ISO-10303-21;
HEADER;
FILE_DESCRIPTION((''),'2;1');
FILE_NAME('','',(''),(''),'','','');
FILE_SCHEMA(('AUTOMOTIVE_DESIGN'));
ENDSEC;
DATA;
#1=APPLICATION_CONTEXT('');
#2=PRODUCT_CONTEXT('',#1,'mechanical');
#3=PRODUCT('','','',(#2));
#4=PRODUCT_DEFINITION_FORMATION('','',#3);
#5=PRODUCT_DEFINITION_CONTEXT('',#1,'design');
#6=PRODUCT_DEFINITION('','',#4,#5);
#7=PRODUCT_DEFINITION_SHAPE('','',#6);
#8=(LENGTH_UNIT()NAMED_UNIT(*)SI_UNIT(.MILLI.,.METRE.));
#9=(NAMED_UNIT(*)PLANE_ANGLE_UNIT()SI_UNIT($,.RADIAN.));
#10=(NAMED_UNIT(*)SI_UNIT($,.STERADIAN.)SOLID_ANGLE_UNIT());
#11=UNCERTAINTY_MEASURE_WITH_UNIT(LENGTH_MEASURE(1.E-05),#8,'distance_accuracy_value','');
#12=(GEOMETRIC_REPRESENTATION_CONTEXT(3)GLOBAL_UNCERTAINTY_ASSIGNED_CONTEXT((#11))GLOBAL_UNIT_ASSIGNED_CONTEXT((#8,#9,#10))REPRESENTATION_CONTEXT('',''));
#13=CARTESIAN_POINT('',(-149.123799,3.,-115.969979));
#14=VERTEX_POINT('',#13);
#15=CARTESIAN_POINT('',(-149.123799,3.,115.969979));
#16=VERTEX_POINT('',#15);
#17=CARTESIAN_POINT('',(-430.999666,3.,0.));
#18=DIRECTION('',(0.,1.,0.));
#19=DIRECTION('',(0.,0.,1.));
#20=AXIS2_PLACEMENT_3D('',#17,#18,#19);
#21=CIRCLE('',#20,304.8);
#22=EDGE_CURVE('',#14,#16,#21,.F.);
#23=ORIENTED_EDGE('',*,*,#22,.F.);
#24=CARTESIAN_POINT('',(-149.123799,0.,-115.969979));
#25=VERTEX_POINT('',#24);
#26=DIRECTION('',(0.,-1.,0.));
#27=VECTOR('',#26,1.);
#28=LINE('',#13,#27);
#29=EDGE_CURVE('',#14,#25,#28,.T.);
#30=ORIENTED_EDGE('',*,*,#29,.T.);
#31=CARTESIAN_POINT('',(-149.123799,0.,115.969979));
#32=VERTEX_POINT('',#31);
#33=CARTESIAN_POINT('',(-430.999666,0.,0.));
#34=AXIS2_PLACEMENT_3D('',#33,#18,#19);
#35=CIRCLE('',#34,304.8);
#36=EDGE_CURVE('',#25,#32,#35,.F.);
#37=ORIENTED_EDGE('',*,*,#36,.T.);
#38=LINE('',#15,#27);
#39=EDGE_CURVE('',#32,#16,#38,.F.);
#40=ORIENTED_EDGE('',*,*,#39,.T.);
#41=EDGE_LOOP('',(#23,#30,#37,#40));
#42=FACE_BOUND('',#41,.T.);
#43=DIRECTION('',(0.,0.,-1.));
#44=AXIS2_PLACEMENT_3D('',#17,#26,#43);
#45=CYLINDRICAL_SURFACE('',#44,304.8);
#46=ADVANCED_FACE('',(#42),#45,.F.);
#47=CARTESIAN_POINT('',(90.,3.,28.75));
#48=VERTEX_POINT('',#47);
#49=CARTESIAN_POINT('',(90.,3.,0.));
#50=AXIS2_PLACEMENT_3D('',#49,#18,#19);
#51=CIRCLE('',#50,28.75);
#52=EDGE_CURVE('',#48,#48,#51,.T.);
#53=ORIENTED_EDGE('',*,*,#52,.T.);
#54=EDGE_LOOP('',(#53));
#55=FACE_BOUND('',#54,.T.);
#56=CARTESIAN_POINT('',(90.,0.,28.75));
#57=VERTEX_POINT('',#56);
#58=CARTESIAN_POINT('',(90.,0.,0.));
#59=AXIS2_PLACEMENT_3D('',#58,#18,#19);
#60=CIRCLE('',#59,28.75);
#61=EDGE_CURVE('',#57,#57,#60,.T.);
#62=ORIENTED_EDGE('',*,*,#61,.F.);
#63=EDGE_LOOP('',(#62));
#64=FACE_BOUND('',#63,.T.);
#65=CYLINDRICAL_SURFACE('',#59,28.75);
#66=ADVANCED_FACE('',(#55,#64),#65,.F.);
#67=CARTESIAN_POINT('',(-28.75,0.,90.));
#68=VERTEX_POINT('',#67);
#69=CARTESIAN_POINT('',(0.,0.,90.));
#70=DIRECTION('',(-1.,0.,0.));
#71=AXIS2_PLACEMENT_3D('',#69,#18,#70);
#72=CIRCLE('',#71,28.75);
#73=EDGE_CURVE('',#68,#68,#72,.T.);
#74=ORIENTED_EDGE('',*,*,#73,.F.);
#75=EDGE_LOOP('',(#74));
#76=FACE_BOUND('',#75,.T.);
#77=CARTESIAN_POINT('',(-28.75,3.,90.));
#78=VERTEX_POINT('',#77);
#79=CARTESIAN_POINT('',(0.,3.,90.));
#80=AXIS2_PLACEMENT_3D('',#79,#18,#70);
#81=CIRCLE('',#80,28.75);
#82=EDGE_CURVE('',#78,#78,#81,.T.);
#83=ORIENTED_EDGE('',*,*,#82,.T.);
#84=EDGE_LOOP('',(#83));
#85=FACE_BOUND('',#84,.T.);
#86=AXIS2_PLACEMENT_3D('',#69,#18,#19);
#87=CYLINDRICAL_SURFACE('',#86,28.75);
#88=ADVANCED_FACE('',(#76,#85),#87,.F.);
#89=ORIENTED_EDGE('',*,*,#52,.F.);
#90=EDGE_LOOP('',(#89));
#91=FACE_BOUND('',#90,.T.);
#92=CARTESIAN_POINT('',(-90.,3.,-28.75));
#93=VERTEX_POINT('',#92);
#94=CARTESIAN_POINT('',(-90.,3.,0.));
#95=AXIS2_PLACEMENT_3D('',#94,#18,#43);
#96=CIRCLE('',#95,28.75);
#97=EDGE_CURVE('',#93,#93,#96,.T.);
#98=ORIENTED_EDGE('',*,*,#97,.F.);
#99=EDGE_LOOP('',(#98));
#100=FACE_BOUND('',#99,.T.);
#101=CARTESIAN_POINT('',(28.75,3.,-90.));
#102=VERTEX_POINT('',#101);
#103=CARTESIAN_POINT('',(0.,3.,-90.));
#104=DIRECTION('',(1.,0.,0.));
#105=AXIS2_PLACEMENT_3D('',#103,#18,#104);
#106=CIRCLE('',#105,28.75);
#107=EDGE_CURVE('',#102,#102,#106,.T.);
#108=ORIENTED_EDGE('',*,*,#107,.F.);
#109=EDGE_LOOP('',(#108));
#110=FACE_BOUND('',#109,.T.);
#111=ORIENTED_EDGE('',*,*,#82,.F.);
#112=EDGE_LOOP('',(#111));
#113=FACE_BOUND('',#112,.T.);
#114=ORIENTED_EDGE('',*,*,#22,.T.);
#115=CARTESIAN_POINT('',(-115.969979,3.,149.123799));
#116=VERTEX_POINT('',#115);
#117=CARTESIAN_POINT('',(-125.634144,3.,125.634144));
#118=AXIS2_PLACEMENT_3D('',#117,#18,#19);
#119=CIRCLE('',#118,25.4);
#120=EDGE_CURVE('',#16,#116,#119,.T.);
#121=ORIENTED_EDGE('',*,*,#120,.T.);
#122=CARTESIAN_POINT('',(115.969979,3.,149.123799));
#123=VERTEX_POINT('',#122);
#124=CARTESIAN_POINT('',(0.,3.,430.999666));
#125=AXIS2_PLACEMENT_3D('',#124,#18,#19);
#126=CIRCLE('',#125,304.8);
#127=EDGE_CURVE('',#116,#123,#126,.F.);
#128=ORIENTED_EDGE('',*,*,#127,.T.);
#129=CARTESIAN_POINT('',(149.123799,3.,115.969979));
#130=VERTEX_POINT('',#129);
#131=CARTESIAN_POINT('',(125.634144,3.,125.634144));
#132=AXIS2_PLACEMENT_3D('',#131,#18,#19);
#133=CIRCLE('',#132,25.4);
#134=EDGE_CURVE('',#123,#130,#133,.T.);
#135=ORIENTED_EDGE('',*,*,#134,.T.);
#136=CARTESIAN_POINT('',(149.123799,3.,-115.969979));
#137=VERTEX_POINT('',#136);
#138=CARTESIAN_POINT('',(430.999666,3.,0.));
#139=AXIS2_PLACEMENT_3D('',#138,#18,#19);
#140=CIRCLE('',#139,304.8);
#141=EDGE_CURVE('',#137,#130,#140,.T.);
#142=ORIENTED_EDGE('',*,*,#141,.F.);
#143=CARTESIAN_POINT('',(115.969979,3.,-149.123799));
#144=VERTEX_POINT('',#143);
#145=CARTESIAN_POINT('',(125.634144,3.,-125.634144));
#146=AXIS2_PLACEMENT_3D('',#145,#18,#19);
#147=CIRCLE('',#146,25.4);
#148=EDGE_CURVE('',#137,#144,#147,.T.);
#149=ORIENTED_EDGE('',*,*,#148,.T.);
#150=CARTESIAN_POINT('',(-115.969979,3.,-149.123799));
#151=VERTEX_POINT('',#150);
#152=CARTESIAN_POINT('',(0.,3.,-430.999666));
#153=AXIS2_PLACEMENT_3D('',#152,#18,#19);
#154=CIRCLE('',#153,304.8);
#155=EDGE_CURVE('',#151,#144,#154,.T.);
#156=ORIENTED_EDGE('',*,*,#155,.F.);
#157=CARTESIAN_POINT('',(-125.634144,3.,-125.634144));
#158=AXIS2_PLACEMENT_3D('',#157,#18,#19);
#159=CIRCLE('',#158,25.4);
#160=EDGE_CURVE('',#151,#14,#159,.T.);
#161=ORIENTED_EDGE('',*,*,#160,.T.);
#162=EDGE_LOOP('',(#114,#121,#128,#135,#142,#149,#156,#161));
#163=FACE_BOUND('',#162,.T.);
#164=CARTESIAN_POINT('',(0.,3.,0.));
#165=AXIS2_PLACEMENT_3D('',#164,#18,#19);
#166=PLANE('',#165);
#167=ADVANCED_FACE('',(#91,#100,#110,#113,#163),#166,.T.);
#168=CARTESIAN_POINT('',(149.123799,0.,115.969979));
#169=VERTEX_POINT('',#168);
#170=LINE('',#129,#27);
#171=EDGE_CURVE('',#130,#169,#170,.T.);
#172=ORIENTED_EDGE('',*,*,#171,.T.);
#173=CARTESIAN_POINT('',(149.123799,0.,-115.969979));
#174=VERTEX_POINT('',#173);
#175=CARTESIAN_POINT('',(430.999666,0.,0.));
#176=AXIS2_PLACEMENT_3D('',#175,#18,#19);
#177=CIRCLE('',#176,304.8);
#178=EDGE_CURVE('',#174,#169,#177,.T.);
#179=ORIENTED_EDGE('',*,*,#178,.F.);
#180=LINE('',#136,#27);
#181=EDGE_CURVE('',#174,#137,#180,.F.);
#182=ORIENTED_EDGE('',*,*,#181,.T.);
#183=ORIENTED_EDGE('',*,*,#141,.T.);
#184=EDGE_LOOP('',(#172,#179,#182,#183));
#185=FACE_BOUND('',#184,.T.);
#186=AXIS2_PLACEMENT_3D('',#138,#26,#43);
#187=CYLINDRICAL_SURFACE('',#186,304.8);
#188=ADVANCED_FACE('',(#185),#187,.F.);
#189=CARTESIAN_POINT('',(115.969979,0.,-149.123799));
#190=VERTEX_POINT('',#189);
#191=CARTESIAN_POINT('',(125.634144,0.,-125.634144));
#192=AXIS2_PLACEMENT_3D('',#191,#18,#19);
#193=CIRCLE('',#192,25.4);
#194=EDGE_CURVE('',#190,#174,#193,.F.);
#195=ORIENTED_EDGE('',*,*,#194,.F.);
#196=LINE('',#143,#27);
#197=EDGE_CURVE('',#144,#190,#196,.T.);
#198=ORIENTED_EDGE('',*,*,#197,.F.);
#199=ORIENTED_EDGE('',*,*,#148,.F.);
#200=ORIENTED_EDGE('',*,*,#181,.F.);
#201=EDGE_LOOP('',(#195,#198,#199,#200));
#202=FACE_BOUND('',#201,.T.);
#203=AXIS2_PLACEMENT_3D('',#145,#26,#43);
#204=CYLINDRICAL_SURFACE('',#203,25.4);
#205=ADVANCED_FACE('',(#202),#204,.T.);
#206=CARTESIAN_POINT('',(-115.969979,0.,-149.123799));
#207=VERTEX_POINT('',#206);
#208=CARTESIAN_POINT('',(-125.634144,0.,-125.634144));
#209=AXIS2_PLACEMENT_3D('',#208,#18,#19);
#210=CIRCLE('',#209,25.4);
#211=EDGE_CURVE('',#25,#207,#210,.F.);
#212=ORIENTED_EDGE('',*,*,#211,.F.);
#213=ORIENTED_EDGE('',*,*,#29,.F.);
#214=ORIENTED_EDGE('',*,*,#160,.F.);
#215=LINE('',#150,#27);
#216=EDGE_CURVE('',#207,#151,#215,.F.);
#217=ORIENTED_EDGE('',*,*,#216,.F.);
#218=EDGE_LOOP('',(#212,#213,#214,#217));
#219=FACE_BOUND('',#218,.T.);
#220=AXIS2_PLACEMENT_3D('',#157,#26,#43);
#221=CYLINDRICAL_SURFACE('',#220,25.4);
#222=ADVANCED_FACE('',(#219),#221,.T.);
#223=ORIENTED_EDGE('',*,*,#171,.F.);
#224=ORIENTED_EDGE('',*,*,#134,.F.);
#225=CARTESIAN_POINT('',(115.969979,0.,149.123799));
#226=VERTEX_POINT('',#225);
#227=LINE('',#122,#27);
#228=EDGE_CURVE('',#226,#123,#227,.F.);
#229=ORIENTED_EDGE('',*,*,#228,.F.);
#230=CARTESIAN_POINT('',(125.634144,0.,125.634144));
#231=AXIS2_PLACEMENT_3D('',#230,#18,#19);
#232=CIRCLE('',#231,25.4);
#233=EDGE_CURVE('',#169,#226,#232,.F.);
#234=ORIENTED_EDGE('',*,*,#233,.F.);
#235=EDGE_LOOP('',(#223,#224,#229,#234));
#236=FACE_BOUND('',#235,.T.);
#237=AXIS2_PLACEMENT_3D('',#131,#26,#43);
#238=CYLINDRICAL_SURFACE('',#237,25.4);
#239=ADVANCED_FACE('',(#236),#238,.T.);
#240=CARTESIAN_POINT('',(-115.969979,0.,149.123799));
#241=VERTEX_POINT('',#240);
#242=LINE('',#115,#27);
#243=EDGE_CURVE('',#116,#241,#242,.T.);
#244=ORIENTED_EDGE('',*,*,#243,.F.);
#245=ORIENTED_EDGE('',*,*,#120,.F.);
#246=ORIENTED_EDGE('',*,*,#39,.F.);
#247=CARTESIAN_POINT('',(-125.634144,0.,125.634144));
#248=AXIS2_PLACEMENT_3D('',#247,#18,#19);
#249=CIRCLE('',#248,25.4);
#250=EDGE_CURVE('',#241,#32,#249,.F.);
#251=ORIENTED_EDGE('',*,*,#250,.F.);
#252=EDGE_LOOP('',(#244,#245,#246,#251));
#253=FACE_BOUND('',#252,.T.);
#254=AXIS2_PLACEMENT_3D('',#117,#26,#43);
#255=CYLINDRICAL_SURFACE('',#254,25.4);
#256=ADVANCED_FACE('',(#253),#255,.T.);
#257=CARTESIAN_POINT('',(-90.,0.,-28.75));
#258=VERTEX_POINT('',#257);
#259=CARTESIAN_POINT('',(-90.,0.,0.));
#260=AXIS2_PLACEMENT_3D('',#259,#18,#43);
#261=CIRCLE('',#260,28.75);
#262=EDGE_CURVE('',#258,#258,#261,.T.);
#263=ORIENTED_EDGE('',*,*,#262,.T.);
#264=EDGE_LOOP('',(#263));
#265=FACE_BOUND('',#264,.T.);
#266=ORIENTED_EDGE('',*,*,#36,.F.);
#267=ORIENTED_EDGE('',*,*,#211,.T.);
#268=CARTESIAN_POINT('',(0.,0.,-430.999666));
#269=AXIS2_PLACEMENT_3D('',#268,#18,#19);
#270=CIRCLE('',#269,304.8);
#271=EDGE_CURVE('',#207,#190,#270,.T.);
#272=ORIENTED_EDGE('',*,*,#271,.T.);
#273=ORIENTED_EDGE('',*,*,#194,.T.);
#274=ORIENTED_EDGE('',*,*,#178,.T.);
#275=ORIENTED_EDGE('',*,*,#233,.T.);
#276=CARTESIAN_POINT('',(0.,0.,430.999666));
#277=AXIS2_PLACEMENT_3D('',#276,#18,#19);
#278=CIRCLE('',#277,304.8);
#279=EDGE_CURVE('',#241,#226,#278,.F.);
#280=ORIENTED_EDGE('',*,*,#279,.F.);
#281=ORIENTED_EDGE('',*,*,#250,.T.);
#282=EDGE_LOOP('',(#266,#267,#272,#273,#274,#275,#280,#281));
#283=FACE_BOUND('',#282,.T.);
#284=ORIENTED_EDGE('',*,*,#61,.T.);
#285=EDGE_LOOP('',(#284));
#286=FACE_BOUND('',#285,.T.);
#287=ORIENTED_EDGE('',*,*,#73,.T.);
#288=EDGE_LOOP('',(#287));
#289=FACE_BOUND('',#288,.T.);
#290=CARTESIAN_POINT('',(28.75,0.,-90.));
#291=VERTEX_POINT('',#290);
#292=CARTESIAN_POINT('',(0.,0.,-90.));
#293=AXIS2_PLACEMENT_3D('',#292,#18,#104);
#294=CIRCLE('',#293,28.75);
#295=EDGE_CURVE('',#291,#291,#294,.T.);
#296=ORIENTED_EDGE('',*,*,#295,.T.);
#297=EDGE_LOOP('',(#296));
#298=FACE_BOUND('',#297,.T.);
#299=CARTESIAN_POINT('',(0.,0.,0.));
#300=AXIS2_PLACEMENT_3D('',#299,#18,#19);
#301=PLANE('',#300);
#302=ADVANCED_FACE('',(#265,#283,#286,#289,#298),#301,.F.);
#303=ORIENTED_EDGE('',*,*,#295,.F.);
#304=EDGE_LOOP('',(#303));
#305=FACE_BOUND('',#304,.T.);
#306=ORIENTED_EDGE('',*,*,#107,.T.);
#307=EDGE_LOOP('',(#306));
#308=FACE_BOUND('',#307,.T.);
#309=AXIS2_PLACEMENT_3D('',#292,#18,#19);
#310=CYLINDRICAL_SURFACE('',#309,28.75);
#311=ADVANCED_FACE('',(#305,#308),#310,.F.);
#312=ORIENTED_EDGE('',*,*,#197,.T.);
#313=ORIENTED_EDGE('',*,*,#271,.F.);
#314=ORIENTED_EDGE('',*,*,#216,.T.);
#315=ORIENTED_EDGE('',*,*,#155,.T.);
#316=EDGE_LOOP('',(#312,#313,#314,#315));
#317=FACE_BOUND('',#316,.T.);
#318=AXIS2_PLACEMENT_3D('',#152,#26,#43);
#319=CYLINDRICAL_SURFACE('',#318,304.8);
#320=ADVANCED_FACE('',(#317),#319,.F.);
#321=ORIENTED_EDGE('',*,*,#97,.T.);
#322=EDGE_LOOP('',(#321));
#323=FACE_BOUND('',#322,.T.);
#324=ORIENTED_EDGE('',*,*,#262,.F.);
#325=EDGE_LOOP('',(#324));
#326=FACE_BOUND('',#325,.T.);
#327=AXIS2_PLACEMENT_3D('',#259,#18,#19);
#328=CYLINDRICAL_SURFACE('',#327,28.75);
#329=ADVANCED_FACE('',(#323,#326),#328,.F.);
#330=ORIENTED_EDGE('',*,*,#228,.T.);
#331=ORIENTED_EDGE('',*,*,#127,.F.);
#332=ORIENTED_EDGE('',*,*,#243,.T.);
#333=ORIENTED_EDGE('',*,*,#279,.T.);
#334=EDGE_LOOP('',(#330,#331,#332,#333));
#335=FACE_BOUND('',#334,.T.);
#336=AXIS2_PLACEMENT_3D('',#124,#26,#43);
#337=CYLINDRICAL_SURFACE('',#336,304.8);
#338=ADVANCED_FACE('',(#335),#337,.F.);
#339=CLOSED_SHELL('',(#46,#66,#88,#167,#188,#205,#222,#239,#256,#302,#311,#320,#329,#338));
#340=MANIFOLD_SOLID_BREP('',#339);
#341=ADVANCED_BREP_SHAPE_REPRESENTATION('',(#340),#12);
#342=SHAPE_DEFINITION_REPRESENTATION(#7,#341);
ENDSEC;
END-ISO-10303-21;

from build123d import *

# Parameters (mm, degrees)
BOSS_EXTRUDE1_DEPTH = 3
FILLET1_R           = 25.4
SKETCH3_R           = 28.75
CUT_EXTRUDE1_DEPTH  = 214.615601591
CIRPATTERN1_COUNT   = 4


with BuildPart() as part:
    # Sketch2 → Boss-Extrude1 (new body)
    with BuildSketch(Plane(origin=(0, 0, 0), x_dir=(1, 0, 0), z_dir=(0, 1, 0))):
        with BuildLine():
            ThreePointArc((212.132034356, 212.132034356), (0, 126.199665585), (-212.132034356, 212.132034356))
            ThreePointArc((-212.132034356, 212.132034356), (-126.199665585, 0), (-212.132034356, -212.132034356))
            ThreePointArc((-212.132034356, -212.132034356), (0, -126.199665585), (212.132034356, -212.132034356))
            ThreePointArc((212.132034356, -212.132034356), (126.199665585, 0), (212.132034356, 212.132034356))
        make_face()
    extrude(amount=BOSS_EXTRUDE1_DEPTH)

    # Fillet1
    fillet1_edges = [part.edges().sort_by_distance(p)[0] for p in [
        (212.132034356, 1.5, -212.132034356),
        (212.132034356, 1.5, 212.132034356),
        (-212.132034356, 1.5, -212.132034356),
        (-212.132034356, 1.5, 212.132034356),
    ]]
    fillet(fillet1_edges, radius=FILLET1_R)

    # Sketch3 → Cut-Extrude1 (cut, through all)
    with BuildSketch(Plane(origin=(0, 3, 0), x_dir=(1, 0, 0), z_dir=(0, 1, 0))):
        with Locations((90, 0)):
            Circle(SKETCH3_R)
    cut_extrude1 = extrude(amount=-CUT_EXTRUDE1_DEPTH, mode=Mode.SUBTRACT)

    # CirPattern1: Cut-Extrude1 ×4 about axis
    cirpattern1_axis = Axis((0, 3.15, 0), (0, -1, 0))
    for i in range(1, CIRPATTERN1_COUNT):
        add(cut_extrude1.rotate(cirpattern1_axis, i * 360 / CIRPATTERN1_COUNT), mode=Mode.SUBTRACT)


solid = part.part
